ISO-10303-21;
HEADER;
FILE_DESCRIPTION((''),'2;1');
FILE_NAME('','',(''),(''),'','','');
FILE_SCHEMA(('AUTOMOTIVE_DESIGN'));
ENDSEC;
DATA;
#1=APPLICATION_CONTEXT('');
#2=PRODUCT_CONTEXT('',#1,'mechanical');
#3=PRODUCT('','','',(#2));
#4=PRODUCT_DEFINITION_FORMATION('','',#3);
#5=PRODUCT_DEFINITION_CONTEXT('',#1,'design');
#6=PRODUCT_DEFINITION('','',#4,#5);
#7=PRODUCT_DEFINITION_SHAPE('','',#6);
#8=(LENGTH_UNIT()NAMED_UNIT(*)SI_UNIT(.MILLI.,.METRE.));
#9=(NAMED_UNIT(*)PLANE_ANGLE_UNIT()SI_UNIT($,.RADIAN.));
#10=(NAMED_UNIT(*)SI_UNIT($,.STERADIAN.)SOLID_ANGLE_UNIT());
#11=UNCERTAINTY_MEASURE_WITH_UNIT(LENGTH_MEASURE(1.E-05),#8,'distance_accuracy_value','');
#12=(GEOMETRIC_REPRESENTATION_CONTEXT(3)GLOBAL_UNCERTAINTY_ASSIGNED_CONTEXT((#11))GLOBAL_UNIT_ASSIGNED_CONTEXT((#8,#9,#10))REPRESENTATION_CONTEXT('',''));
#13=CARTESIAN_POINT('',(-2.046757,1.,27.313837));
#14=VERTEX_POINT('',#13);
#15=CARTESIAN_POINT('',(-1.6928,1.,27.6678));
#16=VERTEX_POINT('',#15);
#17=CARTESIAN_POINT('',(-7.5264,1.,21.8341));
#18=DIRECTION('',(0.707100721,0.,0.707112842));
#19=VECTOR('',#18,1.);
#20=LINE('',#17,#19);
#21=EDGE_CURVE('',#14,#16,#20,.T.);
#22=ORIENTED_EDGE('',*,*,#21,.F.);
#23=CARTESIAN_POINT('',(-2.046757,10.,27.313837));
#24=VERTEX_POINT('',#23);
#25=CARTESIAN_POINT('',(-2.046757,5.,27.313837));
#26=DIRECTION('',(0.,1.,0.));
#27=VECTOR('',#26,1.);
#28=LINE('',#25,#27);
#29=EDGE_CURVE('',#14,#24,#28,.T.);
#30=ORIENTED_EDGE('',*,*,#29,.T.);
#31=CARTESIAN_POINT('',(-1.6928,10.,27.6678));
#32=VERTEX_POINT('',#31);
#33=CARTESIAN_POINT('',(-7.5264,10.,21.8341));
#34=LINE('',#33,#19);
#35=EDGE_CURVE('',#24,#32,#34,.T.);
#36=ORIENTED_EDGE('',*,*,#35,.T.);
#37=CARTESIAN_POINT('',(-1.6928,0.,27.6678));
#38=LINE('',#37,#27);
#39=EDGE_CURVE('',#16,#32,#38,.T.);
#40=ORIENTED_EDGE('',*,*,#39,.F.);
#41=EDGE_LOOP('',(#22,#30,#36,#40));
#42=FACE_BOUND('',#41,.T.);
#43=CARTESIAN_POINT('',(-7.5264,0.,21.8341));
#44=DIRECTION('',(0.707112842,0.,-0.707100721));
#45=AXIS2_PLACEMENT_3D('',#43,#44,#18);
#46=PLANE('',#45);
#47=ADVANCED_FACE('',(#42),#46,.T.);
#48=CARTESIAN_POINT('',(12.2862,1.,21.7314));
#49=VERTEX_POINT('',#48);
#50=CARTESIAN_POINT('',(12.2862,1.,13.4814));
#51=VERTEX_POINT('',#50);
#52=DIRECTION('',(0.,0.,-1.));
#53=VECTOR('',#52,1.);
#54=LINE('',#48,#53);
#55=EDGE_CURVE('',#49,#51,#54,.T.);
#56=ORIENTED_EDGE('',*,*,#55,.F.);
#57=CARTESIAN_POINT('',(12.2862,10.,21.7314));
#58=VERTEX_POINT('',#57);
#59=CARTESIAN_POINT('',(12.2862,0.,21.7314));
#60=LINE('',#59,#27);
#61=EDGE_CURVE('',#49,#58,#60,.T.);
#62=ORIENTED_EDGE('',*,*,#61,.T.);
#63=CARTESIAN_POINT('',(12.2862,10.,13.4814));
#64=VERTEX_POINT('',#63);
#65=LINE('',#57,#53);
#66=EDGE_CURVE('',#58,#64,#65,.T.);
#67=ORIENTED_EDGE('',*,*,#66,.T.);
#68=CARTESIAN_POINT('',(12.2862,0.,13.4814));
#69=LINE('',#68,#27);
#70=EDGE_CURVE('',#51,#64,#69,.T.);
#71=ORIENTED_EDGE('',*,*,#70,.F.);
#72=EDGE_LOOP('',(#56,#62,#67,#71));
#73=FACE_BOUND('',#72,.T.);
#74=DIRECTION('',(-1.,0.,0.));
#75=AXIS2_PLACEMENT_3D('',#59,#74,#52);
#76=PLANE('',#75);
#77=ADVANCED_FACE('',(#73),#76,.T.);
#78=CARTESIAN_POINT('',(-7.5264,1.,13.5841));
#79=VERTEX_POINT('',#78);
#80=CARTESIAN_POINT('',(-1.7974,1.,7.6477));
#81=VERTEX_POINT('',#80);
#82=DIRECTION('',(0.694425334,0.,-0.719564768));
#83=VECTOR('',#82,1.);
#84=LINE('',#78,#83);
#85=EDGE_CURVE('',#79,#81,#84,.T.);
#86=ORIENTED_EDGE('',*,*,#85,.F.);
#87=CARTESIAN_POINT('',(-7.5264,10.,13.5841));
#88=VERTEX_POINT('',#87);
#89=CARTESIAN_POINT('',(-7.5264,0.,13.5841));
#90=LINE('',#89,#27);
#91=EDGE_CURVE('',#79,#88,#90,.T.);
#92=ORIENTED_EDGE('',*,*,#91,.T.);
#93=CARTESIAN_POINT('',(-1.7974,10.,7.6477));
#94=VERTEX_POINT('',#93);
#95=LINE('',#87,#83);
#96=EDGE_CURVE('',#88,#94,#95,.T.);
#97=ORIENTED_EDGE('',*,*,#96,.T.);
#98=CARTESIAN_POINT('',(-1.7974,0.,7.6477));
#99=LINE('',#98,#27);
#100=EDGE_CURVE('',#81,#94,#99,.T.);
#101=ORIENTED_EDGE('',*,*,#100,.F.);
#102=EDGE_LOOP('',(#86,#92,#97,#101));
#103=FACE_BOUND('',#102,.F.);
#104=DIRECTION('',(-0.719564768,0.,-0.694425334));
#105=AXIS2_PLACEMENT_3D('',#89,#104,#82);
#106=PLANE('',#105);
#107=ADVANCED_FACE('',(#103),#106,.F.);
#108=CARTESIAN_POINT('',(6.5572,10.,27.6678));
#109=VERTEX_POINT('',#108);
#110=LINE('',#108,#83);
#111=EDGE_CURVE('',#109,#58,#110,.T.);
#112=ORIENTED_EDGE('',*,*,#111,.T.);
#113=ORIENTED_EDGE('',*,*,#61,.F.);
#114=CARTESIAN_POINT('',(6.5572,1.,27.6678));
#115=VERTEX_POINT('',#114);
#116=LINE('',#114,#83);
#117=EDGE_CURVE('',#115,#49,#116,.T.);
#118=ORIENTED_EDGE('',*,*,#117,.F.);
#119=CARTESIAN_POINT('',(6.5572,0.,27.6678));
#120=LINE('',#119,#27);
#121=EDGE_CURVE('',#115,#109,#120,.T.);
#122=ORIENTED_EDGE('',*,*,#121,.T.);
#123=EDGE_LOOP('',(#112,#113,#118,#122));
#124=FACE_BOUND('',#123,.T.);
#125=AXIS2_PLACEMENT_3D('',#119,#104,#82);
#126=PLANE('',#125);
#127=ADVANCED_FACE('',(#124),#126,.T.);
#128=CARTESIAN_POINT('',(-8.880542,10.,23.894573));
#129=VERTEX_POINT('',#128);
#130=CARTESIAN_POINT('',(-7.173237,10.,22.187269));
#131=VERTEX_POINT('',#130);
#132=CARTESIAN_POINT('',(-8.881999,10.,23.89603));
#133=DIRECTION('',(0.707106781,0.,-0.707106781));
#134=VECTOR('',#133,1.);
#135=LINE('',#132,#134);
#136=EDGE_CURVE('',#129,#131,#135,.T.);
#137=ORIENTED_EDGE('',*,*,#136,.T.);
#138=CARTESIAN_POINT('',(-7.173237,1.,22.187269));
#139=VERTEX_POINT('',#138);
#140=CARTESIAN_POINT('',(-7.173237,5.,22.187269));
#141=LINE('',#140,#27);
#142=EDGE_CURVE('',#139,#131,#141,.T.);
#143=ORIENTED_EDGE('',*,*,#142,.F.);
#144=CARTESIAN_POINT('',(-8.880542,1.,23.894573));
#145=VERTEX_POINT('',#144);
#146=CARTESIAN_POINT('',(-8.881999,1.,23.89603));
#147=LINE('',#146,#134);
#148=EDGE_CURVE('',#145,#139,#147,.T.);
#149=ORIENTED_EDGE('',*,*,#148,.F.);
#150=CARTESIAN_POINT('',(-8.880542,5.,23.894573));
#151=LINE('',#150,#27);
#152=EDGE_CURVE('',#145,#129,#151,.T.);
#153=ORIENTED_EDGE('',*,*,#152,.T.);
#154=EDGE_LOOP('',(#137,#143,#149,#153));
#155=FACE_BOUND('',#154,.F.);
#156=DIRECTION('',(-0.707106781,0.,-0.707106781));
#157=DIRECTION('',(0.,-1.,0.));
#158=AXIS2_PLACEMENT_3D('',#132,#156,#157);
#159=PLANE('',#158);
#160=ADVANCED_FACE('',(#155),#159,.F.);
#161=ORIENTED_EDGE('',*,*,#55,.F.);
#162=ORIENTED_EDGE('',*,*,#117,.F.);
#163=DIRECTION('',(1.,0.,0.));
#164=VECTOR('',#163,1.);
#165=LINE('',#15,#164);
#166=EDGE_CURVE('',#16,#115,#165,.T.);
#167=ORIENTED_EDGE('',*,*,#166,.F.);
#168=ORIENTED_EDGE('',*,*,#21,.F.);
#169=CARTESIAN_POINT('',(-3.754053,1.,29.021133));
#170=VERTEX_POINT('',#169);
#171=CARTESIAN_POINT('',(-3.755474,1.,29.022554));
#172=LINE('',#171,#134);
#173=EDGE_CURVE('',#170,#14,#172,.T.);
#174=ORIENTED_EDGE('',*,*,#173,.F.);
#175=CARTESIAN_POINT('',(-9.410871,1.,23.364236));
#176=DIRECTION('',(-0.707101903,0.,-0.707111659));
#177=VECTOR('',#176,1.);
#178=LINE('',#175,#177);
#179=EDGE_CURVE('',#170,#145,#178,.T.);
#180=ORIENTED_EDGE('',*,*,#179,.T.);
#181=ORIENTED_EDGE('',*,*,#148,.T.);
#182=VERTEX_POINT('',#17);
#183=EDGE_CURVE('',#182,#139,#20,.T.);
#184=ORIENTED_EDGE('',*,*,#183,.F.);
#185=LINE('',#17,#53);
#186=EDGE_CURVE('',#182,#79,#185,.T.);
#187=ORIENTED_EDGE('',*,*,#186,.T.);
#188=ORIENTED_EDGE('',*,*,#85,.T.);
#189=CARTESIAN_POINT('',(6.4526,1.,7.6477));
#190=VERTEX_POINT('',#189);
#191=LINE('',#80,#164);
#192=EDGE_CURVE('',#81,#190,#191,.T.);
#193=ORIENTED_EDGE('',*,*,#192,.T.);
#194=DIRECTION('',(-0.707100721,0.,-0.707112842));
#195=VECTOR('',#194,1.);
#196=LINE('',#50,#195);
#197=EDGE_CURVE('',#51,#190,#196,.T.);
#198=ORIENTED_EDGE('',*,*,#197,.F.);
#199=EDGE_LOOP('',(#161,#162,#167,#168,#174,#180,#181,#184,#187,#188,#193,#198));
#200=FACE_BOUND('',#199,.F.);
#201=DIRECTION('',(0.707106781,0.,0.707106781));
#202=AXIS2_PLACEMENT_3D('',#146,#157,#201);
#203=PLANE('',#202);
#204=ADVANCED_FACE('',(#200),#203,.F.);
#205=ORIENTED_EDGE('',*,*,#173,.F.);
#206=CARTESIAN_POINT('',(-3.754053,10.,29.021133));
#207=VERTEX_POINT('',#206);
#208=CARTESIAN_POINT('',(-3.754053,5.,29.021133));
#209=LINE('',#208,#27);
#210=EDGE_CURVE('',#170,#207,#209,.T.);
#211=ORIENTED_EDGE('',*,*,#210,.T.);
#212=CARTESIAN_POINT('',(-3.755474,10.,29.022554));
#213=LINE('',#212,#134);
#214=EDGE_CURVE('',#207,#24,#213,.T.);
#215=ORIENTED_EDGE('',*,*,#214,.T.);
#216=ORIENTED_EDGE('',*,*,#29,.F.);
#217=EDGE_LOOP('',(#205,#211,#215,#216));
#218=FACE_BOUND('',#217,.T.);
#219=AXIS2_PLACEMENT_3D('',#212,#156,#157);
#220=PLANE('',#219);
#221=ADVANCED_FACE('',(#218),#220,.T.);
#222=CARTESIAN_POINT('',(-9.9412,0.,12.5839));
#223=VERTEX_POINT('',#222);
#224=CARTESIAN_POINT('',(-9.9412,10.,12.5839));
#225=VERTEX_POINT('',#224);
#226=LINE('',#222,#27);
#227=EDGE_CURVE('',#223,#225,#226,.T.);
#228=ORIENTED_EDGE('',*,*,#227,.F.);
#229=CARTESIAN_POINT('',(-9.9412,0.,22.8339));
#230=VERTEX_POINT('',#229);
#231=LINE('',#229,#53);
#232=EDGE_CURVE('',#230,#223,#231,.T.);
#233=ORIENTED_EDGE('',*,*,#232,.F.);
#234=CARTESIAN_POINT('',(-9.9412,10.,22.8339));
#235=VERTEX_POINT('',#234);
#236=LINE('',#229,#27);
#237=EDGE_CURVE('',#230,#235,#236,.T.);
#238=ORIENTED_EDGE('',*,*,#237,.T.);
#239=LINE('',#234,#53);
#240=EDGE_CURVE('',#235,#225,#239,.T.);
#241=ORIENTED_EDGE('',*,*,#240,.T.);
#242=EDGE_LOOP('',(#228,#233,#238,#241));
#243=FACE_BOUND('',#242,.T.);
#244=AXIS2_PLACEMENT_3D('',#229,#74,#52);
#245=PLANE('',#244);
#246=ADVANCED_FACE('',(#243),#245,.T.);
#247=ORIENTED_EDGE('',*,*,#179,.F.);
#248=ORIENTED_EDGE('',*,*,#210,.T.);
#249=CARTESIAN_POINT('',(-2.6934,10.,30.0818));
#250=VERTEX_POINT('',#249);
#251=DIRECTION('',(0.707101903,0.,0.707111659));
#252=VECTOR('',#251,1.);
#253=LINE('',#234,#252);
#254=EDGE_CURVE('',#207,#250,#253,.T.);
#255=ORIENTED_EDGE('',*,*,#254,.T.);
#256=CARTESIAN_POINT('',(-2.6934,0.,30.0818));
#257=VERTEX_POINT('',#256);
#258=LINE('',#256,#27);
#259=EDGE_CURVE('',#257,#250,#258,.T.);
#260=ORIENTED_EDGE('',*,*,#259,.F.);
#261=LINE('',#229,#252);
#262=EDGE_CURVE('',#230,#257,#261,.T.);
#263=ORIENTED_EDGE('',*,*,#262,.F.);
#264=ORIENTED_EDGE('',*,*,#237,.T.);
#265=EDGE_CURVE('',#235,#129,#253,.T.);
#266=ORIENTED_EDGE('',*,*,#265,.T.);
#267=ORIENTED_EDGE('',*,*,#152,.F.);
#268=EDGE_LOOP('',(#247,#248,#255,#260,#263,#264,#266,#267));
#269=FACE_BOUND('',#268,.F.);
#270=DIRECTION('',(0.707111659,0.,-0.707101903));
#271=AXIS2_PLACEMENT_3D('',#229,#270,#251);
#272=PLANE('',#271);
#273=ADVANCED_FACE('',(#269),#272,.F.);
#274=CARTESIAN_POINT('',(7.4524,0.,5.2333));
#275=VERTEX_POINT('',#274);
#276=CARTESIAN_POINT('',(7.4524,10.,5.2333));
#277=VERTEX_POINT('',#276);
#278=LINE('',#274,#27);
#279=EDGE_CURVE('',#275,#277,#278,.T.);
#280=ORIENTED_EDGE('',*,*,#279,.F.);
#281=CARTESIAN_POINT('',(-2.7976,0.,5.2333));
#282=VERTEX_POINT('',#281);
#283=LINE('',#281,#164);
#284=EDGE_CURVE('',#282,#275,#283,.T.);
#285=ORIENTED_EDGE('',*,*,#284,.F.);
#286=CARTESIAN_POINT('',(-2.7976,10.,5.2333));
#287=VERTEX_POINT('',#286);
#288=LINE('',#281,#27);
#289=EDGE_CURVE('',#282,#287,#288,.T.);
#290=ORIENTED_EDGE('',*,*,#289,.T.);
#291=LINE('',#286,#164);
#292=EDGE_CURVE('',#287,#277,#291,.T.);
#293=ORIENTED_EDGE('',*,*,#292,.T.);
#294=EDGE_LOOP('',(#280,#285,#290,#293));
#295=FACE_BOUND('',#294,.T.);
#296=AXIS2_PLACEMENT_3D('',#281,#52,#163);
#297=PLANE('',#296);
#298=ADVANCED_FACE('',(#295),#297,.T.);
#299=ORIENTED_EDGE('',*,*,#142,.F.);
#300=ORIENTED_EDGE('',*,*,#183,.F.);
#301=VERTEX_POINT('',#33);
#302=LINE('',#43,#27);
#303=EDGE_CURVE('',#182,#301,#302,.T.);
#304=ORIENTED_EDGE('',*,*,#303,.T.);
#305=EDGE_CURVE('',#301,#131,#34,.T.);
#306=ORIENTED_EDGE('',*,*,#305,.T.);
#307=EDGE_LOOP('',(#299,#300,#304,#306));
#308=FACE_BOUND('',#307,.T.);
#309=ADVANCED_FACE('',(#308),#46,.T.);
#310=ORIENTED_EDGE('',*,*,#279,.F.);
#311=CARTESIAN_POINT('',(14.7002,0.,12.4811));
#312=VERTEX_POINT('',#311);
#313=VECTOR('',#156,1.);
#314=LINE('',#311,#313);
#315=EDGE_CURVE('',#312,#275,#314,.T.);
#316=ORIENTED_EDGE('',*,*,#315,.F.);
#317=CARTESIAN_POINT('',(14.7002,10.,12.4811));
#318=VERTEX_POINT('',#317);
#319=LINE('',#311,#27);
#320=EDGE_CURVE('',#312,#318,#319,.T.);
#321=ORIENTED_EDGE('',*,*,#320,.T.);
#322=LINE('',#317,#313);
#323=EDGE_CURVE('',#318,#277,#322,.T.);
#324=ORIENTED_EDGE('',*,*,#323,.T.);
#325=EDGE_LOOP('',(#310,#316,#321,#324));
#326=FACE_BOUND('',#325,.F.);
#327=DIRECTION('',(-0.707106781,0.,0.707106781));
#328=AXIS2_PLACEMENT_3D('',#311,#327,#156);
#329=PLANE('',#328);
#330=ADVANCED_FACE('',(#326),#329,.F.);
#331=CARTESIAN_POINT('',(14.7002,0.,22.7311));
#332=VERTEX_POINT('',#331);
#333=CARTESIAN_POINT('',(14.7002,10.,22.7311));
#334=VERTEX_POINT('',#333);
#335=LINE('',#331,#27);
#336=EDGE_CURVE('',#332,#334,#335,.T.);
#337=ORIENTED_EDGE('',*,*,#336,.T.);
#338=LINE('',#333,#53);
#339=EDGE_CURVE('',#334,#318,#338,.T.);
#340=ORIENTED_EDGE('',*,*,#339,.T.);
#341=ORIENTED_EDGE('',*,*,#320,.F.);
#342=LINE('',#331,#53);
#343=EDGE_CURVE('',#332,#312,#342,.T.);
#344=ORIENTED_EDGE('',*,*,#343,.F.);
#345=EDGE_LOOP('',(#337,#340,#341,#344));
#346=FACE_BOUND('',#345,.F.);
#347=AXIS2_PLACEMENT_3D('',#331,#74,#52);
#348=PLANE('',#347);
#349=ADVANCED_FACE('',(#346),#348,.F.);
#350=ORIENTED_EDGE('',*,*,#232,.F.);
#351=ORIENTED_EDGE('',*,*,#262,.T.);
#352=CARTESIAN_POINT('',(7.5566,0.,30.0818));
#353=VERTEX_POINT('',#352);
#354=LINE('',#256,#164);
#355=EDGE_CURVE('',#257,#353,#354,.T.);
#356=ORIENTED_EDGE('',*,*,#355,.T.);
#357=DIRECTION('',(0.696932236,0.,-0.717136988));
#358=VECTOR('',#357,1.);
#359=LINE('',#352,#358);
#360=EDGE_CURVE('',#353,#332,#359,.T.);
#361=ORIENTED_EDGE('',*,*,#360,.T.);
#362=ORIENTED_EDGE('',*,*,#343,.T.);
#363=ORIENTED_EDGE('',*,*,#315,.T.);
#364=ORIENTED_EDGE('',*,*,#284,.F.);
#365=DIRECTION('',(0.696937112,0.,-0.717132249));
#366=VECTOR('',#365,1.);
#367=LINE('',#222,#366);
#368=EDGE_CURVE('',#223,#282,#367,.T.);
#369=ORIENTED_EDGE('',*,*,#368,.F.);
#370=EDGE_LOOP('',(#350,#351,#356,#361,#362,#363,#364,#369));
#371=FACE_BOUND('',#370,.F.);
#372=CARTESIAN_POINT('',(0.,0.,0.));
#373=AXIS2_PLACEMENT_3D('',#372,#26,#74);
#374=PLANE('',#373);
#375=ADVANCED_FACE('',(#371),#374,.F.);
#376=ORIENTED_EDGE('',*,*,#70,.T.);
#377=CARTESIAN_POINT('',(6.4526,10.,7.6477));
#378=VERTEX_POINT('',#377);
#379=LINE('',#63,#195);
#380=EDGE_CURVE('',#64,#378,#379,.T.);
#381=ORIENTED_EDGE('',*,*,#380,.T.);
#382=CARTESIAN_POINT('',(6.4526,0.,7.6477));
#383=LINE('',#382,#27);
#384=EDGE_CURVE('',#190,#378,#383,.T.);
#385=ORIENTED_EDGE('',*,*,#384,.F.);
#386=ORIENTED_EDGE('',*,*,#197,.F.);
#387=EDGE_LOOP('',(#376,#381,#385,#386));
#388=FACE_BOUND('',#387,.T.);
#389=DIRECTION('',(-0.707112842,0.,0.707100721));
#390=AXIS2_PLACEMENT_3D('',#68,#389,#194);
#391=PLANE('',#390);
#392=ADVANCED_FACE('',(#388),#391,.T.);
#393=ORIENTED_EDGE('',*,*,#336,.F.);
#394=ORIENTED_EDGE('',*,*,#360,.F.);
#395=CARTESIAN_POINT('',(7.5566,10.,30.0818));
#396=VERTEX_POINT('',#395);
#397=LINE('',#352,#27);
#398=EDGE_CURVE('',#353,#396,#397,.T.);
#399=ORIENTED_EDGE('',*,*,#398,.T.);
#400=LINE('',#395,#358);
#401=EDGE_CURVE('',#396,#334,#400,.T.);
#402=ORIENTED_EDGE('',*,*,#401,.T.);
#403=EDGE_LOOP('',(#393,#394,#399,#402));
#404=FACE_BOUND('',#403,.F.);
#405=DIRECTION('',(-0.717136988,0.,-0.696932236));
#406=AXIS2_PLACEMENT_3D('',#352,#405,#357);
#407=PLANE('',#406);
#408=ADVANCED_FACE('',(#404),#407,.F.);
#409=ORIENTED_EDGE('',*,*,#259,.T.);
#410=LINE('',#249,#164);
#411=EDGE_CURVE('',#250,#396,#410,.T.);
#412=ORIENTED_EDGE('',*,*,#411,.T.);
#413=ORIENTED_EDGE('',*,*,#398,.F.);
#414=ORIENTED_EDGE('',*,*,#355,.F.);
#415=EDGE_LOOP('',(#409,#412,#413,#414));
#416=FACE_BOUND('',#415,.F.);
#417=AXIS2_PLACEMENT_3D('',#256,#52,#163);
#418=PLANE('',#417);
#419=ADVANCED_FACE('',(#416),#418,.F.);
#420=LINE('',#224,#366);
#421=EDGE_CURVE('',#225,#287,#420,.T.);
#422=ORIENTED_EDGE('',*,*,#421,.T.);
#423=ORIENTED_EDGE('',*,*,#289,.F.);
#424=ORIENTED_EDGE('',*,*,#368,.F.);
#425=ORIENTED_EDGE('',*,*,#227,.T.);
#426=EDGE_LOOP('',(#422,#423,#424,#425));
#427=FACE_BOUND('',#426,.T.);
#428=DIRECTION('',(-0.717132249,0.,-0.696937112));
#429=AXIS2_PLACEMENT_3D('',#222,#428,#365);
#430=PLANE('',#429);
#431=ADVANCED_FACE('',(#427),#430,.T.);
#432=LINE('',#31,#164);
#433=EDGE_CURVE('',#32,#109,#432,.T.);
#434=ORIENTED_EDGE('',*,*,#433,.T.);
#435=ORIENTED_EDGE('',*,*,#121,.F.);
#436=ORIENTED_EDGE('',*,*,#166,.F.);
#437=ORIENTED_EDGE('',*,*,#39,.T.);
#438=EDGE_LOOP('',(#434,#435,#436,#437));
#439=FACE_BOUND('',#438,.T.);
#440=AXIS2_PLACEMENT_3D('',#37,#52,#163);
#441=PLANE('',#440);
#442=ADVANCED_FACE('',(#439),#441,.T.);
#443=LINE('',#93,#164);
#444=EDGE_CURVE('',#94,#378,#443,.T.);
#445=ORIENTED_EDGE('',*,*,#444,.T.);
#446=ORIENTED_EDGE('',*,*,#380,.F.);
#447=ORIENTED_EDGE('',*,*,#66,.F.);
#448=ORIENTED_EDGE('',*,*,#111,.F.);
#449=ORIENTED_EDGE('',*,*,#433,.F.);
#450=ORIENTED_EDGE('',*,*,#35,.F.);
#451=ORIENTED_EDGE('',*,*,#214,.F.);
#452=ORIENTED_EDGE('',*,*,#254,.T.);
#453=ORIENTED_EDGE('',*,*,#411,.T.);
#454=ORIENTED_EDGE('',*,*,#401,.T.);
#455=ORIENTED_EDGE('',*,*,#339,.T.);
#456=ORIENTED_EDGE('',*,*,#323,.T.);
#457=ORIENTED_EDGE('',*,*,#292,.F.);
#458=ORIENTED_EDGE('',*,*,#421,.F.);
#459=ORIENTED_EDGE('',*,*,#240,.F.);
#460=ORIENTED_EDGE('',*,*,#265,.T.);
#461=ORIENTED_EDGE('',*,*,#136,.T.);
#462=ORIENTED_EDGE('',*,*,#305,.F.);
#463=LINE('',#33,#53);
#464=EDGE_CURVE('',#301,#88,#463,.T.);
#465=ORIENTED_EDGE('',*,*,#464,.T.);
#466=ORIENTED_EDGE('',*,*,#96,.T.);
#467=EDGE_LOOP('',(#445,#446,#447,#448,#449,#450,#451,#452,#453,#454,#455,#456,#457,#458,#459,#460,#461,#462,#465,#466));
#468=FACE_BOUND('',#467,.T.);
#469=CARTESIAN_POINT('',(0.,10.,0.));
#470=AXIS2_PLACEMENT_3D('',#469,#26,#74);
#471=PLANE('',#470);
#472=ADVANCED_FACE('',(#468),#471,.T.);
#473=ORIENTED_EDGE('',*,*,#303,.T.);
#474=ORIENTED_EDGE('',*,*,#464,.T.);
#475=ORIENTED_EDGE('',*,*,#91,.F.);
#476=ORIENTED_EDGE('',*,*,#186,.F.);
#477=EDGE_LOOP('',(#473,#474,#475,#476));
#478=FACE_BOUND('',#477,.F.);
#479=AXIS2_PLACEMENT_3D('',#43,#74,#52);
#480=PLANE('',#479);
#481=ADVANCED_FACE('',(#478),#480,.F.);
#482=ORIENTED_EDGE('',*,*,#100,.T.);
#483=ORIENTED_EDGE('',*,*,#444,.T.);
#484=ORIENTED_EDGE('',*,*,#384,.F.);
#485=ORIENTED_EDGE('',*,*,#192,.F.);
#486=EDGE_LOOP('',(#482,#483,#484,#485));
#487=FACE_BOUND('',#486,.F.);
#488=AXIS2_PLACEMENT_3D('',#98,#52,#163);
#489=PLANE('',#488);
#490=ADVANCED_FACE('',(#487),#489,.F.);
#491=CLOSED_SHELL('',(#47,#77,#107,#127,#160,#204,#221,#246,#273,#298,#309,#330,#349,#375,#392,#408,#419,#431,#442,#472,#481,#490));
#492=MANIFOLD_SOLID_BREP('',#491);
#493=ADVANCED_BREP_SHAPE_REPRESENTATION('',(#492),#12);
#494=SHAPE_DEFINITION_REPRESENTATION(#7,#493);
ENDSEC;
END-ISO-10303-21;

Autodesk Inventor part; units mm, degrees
ref_plane "YZ Plane" through (0, 0, 0) normal (1, 0, 0) x (0, 1, 0)
ref_plane "XZ Plane" through (0, 0, 0) normal (0, 1, 0) x (-1, 0, 0)
ref_plane "XY Plane" through (0, 0, 0) normal (0, 0, 1) x (1, 0, 0)
sketch "Sketch1" plane through (0, 0, 0) normal (0, 1, 0) x (-1, 0, 0)
  line L0 (7.5264, 21.8341) -> (7.5264, 13.5841)
  line L1 (7.5264, 13.5841) -> (1.7974, 7.6477)
  line L2 (1.7974, 7.6477) -> (-6.4526, 7.6477)
  line L3 (7.5264, 21.8341) -> (1.6928, 27.6678)
  line L4 (1.6928, 27.6678) -> (-6.5572, 27.6678)
  line L5 (-6.5572, 27.6678) -> (-12.2862, 21.7314)
  line L6 (-12.2862, 21.7314) -> (-12.2862, 13.4814)
  line L7 (-12.2862, 13.4814) -> (-6.4526, 7.6477)
  line L8 (9.9412, 22.8339) -> (9.9412, 12.5839)
  line L9 (9.9412, 12.5839) -> (2.7976, 5.2333)
  line L10 (2.7976, 5.2333) -> (-7.4524, 5.2333)
  line L11 (9.9412, 22.8339) -> (2.6934, 30.0818)
  line L12 (2.6934, 30.0818) -> (-7.5566, 30.0818)
  line L13 (-7.5566, 30.0818) -> (-14.7002, 22.7311)
  line L14 (-14.7002, 22.7311) -> (-14.7002, 12.4811)
  line L15 (-14.7002, 12.4811) -> (-7.4524, 5.2333)
  point P0 (0, 0)
  point P1 (1, 1)
  dimension "d0" = 8.25
  dimension "d3" = 8.25
  dimension "d5" = 8.25
  dimension "d7" = 8.25
  dimension "d8" = 8.25
  dimension "d9" = 8.25
  dimension "d12" = 8.25
  dimension "d17" = 8.25
  dimension "d18" = 135
  dimension "d19" = 10.25
  dimension "d20" = 10.25
  dimension "d21" = 10.25
  dimension "d22" = 10.25
  dimension "d23" = 10.25
  dimension "d24" = 10.25
  dimension "d25" = 10.25
  dimension "d26" = 10.25
  dimension "d27" = 135
  dimension "d29" = 2.414
  dimension "d31" = 2.414
  dimension "d32" = 2.4144
  dimension "d33" = 2.4148
extrude "OutsideHeight" add sketch "Sketch1" along normal blind 10
extrude "BaseHeight" add sketch "Sketch1" along normal blind 1 contours L0 L1 L2 L7 L6 L5 L4 L3
sketch "Sketch2" plane through (-2.6934, 0, 30.0818) normal (-0.7071, 0, 0.7071) x (0.7071, 0, 0.7071)
  line L0 (-10.25, 10) -> (0, 10) projected
  line L1 (-0.1464, 0) -> (-10.3964, 0) projected
  line L2 (-8.75, 10) -> (-1.5, 10)
  line L3 (-10.25, 0) -> (-10.25, 10) projected
  line L4 (0, 0) -> (0, 10) projected
  line L5 (-8.75, 1) -> (-1.5, 1)
  line L6 (-8.75, 10) -> (-8.75, 1)
  line L7 (-1.5, 10) -> (-1.5, 1)
  point P0 (-19.3665, 0)
  dimension "d41" = 1.5
  dimension "d42" = 1.5
  dimension "d43" = 1
extrude "SideCut" cut sketch "Sketch2" against normal blind 2.5
equation "\"d3\" = d0"
equation "\"d5\" = d0"
equation "\"d7\" = d0"
equation "\"d8\" = d0"
equation "\"d9\" = d0"
equation "\"d12\" = d0"
equation "\"d17\" = d0"
equation "\"d20\" = d19"
equation "\"d21\" = d19"
equation "\"d22\" = d19"
equation "\"d23\" = d19"
equation "\"d24\" = d19"
equation "\"d25\" = d19"
equation "\"d26\" = d19"
equation "\"d42\" = d41"
properties part number "TokenHolderSingle"
